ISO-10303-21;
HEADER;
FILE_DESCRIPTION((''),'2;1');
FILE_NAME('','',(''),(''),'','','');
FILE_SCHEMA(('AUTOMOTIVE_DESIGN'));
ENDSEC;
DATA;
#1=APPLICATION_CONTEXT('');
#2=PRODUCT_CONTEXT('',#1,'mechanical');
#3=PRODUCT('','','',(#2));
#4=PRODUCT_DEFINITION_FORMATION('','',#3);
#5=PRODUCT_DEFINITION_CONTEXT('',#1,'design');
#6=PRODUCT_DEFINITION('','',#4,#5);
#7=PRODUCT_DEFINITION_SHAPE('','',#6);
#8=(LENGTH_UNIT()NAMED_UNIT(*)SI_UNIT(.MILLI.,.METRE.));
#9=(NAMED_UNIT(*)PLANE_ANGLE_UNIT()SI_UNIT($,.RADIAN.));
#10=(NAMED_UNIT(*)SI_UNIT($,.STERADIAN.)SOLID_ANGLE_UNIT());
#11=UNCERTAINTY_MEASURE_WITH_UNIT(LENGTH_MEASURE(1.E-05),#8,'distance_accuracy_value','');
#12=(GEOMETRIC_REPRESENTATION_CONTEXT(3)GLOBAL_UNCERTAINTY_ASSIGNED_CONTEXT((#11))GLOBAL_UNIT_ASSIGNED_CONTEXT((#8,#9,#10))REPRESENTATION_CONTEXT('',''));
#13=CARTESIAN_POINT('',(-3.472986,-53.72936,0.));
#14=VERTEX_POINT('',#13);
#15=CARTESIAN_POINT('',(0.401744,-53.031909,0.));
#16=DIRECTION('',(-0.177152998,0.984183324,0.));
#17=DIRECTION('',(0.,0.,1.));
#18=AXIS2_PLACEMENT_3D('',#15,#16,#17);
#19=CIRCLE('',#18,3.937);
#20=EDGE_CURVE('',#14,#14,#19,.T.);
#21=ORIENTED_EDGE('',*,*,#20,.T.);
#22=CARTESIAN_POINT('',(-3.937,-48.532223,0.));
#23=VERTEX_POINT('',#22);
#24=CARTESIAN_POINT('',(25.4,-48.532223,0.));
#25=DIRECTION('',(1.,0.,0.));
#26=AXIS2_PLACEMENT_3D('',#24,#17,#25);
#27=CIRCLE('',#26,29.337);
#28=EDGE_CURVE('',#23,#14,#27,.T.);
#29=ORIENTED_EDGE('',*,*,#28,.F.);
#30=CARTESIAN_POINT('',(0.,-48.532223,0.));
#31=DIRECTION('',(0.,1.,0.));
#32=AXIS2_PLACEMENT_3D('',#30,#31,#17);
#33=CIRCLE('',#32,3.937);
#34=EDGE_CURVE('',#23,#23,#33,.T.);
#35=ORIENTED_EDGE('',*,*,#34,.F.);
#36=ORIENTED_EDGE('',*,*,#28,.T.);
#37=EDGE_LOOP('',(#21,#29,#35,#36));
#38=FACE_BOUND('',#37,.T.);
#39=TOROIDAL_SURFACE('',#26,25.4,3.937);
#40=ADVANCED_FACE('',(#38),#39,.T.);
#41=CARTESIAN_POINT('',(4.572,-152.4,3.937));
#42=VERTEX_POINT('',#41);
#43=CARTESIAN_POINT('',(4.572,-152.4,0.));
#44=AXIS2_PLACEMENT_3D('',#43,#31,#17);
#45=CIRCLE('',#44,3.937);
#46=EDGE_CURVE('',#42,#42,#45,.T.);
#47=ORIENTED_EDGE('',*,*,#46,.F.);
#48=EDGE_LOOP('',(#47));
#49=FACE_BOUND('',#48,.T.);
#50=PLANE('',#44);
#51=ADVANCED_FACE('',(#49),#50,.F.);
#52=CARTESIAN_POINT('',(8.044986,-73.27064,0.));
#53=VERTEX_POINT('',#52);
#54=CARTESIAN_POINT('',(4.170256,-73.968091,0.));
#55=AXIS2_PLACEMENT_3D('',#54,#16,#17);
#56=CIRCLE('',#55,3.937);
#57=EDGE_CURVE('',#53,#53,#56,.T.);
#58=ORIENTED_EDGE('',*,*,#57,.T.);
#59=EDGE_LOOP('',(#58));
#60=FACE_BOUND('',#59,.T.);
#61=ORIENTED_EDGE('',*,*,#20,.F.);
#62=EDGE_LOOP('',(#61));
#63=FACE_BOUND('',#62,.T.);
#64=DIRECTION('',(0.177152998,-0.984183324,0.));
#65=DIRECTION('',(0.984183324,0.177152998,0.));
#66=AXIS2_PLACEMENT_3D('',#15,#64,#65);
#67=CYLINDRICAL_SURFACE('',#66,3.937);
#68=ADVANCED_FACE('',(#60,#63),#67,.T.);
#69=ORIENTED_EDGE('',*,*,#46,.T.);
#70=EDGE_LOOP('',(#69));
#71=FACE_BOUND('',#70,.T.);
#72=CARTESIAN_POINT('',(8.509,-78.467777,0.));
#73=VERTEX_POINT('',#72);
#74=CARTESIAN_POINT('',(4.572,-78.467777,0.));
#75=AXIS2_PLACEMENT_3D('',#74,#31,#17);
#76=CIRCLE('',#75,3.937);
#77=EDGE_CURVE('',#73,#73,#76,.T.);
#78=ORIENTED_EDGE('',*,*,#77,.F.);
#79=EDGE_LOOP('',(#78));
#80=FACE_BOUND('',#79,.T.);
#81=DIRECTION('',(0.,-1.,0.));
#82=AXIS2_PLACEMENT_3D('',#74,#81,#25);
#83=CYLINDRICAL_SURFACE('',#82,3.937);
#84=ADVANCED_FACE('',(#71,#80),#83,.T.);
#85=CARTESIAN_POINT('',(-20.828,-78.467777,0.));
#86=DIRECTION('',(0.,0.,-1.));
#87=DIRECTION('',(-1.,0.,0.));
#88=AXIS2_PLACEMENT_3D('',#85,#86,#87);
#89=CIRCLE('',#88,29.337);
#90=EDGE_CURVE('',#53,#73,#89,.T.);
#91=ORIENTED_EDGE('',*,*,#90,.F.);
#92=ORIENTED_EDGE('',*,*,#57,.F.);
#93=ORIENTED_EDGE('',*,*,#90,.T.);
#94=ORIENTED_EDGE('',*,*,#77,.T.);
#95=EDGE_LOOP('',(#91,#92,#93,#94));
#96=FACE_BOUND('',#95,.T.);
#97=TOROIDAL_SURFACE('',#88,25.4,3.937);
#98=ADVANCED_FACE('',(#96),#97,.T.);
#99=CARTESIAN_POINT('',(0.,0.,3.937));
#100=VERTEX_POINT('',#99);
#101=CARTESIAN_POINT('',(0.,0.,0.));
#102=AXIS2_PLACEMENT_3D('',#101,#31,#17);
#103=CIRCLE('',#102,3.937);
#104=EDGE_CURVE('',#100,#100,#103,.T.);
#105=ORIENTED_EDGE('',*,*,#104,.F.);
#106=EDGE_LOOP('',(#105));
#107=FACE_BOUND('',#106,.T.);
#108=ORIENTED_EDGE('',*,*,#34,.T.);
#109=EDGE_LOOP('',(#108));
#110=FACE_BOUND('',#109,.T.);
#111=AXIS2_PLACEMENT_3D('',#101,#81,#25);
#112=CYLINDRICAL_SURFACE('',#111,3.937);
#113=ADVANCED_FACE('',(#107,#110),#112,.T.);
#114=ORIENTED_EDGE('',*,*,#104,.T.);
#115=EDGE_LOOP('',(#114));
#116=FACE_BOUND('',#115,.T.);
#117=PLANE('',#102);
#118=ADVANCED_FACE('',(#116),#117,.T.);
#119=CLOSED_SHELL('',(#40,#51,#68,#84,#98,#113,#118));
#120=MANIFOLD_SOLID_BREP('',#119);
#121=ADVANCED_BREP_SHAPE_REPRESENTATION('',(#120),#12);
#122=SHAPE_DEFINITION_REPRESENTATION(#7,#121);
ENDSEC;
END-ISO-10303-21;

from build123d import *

# Parameters (mm, degrees)
SKETCH1_R = 3.937


with BuildPart() as part:
    # Sweep1: sweep along a path in Sketch2
    with BuildLine(Plane.XY) as sweep1_path:
        Line((0, 0), (0, -48.532222571))
        ThreePointArc((0, -48.532222571), (0.100635252, -50.791015025), (0.401743571, -53.031908728))
        Line((0.401743571, -53.031908728), (4.170256429, -73.968091272))
        ThreePointArc((4.170256429, -73.968091272), (4.471364748, -76.208984975), (4.572, -78.467777429))
        Line((4.572, -78.467777429), (4.572, -152.4))
    # Sketch1 → Sweep1 (sweep)
    with BuildSketch(Plane(origin=(0, 0, 0), x_dir=(1, 0, 0), z_dir=(0, 1, 0))):
        Circle(SKETCH1_R)
    sweep(path=sweep1_path.line)


solid = part.part
